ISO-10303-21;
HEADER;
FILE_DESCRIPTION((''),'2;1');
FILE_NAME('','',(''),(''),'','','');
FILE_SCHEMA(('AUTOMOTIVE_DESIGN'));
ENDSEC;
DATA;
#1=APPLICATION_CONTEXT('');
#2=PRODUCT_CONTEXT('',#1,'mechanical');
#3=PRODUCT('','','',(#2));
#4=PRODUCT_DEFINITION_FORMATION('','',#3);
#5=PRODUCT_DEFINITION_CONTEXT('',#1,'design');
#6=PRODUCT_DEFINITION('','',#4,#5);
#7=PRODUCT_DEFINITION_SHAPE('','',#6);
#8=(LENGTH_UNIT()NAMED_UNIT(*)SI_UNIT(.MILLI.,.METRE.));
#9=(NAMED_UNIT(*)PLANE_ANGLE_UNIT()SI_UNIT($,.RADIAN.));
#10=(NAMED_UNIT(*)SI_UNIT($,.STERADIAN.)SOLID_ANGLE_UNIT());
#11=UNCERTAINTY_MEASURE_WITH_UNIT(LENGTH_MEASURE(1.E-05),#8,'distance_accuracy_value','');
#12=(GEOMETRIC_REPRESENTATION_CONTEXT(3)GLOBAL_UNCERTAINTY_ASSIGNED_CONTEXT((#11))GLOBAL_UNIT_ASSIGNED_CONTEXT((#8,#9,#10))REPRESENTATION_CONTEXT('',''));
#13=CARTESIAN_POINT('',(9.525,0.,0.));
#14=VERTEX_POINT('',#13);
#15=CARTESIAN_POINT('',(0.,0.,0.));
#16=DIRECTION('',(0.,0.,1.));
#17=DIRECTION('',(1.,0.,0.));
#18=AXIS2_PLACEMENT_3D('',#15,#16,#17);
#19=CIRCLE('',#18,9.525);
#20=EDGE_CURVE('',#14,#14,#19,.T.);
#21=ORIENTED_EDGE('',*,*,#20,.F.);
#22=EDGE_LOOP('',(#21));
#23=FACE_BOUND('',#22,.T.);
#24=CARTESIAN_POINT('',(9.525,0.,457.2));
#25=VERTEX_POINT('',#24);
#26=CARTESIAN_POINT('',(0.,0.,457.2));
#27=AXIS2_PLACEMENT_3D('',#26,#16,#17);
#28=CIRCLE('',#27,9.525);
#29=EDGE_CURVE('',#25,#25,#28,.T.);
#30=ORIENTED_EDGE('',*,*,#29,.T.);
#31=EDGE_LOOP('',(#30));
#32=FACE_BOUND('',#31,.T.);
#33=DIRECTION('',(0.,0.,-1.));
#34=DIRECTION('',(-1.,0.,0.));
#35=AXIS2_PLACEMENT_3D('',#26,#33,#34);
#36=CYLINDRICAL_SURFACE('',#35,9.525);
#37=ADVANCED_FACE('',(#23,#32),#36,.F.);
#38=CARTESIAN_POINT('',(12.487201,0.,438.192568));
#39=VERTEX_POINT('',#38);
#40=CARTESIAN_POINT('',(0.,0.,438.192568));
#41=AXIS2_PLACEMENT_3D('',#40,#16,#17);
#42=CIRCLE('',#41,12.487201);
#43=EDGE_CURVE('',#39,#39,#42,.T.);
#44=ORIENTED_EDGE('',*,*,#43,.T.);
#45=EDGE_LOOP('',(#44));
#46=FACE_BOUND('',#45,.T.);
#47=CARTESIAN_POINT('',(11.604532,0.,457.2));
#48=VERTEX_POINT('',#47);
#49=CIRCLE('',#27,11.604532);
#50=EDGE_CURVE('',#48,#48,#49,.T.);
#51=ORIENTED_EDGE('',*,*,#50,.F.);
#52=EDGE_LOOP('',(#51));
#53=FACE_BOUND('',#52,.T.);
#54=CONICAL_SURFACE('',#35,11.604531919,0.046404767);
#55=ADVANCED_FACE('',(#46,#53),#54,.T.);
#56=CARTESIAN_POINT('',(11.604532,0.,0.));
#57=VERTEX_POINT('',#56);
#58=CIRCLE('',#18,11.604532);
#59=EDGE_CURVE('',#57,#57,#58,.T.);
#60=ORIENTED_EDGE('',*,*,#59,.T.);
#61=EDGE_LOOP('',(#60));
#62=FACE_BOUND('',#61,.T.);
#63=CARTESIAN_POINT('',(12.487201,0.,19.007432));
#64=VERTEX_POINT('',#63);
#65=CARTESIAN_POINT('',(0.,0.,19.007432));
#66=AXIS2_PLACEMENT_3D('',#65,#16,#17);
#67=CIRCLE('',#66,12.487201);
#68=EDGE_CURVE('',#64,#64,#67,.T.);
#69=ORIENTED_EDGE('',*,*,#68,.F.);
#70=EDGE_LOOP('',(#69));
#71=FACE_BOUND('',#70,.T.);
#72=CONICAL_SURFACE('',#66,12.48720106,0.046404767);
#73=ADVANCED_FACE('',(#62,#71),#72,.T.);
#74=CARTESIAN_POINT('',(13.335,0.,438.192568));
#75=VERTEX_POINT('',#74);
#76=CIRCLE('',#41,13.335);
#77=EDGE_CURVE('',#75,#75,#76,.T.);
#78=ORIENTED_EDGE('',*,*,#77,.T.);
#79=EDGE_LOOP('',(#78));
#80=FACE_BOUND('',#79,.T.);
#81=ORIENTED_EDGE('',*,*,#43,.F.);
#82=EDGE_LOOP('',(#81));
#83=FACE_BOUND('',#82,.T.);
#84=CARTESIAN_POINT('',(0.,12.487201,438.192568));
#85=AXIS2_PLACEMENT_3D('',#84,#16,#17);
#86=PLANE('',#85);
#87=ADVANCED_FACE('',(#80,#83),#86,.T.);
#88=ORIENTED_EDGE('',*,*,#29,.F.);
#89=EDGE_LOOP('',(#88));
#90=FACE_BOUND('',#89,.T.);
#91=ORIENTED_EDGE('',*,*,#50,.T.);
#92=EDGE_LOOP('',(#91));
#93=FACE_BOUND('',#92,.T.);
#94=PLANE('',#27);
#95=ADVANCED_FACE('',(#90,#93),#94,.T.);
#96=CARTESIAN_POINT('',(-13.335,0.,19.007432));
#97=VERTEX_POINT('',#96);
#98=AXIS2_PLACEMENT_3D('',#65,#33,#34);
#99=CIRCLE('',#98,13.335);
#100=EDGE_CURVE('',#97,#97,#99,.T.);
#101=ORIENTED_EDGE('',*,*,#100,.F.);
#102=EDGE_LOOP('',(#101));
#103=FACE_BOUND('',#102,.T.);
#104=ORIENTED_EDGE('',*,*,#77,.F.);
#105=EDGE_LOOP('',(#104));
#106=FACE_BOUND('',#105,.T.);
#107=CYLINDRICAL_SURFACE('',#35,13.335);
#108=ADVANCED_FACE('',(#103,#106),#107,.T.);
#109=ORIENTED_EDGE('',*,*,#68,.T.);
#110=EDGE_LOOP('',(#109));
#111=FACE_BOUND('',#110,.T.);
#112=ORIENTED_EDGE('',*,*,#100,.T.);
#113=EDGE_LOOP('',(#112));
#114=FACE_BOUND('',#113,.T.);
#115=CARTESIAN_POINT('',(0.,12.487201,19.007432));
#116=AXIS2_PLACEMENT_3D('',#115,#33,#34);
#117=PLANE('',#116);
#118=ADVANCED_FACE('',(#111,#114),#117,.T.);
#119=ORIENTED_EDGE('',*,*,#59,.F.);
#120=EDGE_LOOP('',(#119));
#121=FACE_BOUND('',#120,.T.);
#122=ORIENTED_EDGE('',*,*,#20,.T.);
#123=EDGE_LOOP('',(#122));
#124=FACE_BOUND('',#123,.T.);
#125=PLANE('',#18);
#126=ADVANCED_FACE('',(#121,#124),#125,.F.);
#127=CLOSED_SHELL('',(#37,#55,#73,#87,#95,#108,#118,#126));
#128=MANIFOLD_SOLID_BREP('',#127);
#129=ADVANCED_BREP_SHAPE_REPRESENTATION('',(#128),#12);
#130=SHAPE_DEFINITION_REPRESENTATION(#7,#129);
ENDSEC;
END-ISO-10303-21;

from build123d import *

# Parameters (mm, degrees)
SKETCH1_R           = 13.335
SKETCH1_R_2         = 9.525
BOSS_EXTRUDE1_DEPTH = 457.2


with BuildPart() as part:
    # Sketch1 → Boss-Extrude1 (new body)
    with BuildSketch(Plane.XY):
        Circle(SKETCH1_R)
        Circle(SKETCH1_R_2, mode=Mode.SUBTRACT)
    extrude(amount=BOSS_EXTRUDE1_DEPTH)

    # Sketch2 → Cut-Revolve1 (revolve, cut)
    with BuildSketch(Plane(origin=(0, 0, 0), x_dir=(0, 0, -1), z_dir=(1, 0, 0)), mode=Mode.PRIVATE) as cut_revolve1_sk:
        Polygon((0, 19.581974612), (0, 11.604531919), (-19.007432318, 12.48720106), (-19.007432318, 19.581974612), align=None)
        Polygon((-438.192567682, 19.581974612), (-457.2, 19.581974612), (-457.2, 11.604531919), (-438.192567682, 12.48720106), align=None)
    revolve(cut_revolve1_sk.sketch.rotate(Axis((0, 0, 457.2), (0, 0, -1)), 90), axis=Axis((0, 0, 457.2), (0, 0, -1)), mode=Mode.SUBTRACT)


solid = part.part
